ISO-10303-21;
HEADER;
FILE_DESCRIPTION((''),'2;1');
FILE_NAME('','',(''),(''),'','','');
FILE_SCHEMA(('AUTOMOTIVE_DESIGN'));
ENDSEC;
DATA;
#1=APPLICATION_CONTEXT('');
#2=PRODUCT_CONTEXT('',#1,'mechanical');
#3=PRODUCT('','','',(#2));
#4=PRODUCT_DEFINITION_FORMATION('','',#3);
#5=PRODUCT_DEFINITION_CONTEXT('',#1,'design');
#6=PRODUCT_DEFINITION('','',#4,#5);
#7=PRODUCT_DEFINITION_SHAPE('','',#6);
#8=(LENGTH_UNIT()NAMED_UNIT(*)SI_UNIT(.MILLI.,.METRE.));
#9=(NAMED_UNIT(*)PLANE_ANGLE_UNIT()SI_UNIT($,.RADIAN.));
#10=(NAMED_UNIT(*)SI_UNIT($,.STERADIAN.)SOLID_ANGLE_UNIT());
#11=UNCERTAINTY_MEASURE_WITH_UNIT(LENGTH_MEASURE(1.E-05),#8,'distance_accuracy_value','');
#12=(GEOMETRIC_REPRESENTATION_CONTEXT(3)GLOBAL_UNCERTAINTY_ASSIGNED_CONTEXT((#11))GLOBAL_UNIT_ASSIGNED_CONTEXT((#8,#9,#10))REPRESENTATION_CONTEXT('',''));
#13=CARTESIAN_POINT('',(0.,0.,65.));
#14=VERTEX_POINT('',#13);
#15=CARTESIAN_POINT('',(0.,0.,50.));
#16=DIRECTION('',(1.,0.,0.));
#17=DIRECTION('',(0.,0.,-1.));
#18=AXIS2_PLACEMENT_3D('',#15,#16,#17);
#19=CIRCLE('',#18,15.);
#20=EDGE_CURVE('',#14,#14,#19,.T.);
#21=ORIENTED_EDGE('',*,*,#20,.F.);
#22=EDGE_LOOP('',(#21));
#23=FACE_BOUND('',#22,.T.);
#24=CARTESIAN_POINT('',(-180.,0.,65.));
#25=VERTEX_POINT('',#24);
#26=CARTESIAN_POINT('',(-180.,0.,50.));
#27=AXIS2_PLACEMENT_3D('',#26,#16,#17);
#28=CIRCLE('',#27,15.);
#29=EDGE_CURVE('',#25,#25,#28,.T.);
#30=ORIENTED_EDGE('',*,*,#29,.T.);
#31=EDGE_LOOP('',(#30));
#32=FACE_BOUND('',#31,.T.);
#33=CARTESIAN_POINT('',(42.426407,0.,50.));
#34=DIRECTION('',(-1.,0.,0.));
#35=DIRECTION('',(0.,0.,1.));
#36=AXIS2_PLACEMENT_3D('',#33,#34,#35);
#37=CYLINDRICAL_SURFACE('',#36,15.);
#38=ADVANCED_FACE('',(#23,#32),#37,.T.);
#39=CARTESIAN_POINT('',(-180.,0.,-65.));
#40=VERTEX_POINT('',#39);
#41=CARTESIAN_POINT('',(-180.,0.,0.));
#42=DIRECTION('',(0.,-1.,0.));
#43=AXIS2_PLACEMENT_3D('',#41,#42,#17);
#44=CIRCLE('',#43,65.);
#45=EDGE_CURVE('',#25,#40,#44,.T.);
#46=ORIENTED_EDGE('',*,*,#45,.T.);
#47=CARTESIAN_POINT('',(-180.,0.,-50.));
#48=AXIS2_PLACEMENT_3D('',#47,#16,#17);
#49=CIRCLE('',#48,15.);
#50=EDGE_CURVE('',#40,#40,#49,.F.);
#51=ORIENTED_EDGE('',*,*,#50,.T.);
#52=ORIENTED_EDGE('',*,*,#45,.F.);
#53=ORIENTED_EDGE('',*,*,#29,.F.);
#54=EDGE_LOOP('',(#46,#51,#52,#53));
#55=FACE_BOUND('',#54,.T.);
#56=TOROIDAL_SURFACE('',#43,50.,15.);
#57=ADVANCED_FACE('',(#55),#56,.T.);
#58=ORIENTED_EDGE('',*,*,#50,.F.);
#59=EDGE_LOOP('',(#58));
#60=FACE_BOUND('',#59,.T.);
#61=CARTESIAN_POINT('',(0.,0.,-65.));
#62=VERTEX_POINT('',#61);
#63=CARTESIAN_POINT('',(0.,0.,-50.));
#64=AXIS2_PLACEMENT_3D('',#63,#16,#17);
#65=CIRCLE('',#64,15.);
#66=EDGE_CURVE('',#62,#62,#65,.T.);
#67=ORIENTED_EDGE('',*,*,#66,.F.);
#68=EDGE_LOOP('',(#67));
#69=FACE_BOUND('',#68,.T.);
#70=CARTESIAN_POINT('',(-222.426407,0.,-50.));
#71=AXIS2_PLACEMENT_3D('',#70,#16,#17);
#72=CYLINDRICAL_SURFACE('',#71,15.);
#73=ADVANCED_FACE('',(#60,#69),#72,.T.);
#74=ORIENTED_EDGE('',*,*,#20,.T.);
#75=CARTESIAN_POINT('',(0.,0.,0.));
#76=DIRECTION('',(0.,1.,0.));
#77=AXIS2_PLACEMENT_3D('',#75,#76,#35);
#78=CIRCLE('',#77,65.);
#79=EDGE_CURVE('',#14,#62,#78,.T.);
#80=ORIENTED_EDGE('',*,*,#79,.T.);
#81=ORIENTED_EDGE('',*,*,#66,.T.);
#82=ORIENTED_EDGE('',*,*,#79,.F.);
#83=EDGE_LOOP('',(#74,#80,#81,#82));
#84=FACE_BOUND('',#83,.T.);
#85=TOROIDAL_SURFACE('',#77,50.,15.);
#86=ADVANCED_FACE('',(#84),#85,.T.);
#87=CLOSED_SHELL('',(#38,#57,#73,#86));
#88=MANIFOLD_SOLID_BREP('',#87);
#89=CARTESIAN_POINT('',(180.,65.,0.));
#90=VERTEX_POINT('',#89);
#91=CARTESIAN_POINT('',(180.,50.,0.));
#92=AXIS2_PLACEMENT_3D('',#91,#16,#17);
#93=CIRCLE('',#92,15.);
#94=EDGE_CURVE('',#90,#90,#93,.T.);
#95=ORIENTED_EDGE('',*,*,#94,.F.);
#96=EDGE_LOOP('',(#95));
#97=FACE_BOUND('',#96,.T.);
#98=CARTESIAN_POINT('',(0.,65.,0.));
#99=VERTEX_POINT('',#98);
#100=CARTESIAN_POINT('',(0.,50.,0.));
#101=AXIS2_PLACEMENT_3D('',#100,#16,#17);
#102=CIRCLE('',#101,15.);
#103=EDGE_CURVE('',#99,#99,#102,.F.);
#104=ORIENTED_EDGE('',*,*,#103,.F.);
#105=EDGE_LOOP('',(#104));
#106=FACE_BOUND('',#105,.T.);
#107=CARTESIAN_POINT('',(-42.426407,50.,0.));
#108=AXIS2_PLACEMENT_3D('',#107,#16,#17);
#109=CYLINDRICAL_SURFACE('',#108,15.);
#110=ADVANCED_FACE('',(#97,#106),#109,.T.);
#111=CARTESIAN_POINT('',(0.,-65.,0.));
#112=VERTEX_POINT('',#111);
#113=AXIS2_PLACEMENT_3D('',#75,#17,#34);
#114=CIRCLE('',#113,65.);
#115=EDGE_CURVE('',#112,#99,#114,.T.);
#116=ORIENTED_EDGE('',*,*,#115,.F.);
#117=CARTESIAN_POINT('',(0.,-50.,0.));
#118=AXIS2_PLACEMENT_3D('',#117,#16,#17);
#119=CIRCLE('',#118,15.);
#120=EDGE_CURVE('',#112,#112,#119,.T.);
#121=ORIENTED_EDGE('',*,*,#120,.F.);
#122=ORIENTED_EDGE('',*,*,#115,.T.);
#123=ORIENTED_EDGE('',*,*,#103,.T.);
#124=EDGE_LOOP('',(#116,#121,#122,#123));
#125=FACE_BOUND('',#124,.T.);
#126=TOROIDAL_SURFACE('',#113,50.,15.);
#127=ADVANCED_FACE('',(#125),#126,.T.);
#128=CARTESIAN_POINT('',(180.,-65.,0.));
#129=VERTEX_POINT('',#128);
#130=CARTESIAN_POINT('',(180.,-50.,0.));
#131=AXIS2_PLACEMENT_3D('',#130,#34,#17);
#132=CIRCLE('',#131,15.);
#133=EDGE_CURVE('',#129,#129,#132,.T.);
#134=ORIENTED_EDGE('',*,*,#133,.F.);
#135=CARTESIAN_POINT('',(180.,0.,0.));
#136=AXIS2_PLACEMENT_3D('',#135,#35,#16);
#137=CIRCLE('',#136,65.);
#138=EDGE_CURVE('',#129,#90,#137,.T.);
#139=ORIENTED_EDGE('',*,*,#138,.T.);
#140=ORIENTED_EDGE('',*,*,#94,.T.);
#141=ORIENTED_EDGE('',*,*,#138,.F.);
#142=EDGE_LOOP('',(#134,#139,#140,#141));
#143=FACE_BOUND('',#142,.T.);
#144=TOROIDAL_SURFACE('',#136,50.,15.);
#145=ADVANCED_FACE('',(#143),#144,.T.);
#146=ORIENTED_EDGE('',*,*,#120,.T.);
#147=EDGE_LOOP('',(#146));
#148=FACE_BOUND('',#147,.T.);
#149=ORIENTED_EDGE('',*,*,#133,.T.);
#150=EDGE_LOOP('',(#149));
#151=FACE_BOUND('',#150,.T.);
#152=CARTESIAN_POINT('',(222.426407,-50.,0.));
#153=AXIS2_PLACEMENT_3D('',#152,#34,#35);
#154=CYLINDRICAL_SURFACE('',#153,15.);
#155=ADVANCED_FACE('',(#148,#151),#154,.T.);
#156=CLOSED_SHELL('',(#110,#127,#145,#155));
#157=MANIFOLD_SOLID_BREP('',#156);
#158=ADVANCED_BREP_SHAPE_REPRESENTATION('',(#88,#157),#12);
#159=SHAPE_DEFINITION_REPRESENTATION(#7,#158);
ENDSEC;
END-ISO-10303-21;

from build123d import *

# Parameters (mm, degrees)
SKETCH30_R          = 15
BOSS_EXTRUDE3_DEPTH = 180
SKETCH4_R           = 15
BOSS_EXTRUDE4_DEPTH = 180
SKETCH73_R          = 15
BOSS_EXTRUDE5_DEPTH = 180
SKETCH72_R          = 15
BOSS_EXTRUDE6_DEPTH = 180
SKETCH91_R          = 15
REVOLVE4_ANGLE      = 180
SKETCH92_R          = 15
REVOLVE5_ANGLE      = 180
SKETCH93_R          = 15
REVOLVE6_ANGLE      = 180
SKETCH94_R          = 15
REVOLVE7_ANGLE      = 180


with BuildPart() as part:
    # Sketch30 → Boss-Extrude3 (new body)
    with BuildSketch(Plane(origin=(180, 0, 0), x_dir=(0, 0, -1), z_dir=(1, 0, 0))):
        with Locations((0, 50)):
            Circle(SKETCH30_R)
    extrude(amount=-BOSS_EXTRUDE3_DEPTH)



with BuildPart() as body_2:
    # Sketch4 → Boss-Extrude4 (new body)
    with BuildSketch(Plane(origin=(0, 0, 0), x_dir=(0, 0, -1), z_dir=(1, 0, 0))):
        with Locations((0, -50)):
            Circle(SKETCH4_R)
    extrude(amount=BOSS_EXTRUDE4_DEPTH)


with BuildPart() as body_3:
    # Sketch73 → Boss-Extrude5 (new body)
    with BuildSketch(Plane(origin=(0, 0, 0), x_dir=(0, 0, -1), z_dir=(1, 0, 0))):
        with Locations((50, 0)):
            Circle(SKETCH73_R)
    extrude(amount=-BOSS_EXTRUDE5_DEPTH)



with BuildPart() as body_4:
    # Sketch72 → Boss-Extrude6 (new body)
    with BuildSketch(Plane(origin=(-180, 0, 0), x_dir=(0, 0, -1), z_dir=(1, 0, 0))):
        with Locations((-50, 0)):
            Circle(SKETCH72_R)
    extrude(amount=BOSS_EXTRUDE6_DEPTH)


with BuildPart() as part_1:
    add(part.part)

    add(body_2.part)  # Revolve4 merges body 2
    # Sketch91 → Revolve4 (revolve)
    with BuildSketch(Plane(origin=(180, 0, 0), x_dir=(0, 0, -1), z_dir=(1, 0, 0))):
        with Locations((0, 50)):
            Circle(SKETCH91_R)
    revolve(axis=Axis((180, 0, 0), (0, 0, -1)), revolution_arc=REVOLVE4_ANGLE)

    # Sketch92 → Revolve5 (revolve)
    with BuildSketch(Plane.ZY):
        with Locations(Location((0, 50, 0), (0, 0, 90))):
            Circle(SKETCH92_R)
    revolve(axis=Axis((0, 0, 0), (0, 0, 1)), revolution_arc=REVOLVE5_ANGLE)


with BuildPart() as body_3_1:
    add(body_3.part)

    add(body_4.part)  # Revolve6 merges body 4
    # Sketch93 → Revolve6 (revolve)
    with BuildSketch(Plane.ZY.offset(180)):
        with Locations(Location((-50, 0, 0), (0, 0, 180))):
            Circle(SKETCH93_R)
    revolve(axis=Axis((-180, 0, 0), (0, 1, 0)), revolution_arc=REVOLVE6_ANGLE)

    # Sketch94 → Revolve7 (revolve)
    with BuildSketch(Plane(origin=(0, 0, 0), x_dir=(0, 0, -1), z_dir=(1, 0, 0))):
        with Locations((50, 0)):
            Circle(SKETCH94_R)
    revolve(axis=Axis((0, 0, 0), (0, -1, 0)), revolution_arc=REVOLVE7_ANGLE)


solid = Compound([part_1.part, body_3_1.part])
